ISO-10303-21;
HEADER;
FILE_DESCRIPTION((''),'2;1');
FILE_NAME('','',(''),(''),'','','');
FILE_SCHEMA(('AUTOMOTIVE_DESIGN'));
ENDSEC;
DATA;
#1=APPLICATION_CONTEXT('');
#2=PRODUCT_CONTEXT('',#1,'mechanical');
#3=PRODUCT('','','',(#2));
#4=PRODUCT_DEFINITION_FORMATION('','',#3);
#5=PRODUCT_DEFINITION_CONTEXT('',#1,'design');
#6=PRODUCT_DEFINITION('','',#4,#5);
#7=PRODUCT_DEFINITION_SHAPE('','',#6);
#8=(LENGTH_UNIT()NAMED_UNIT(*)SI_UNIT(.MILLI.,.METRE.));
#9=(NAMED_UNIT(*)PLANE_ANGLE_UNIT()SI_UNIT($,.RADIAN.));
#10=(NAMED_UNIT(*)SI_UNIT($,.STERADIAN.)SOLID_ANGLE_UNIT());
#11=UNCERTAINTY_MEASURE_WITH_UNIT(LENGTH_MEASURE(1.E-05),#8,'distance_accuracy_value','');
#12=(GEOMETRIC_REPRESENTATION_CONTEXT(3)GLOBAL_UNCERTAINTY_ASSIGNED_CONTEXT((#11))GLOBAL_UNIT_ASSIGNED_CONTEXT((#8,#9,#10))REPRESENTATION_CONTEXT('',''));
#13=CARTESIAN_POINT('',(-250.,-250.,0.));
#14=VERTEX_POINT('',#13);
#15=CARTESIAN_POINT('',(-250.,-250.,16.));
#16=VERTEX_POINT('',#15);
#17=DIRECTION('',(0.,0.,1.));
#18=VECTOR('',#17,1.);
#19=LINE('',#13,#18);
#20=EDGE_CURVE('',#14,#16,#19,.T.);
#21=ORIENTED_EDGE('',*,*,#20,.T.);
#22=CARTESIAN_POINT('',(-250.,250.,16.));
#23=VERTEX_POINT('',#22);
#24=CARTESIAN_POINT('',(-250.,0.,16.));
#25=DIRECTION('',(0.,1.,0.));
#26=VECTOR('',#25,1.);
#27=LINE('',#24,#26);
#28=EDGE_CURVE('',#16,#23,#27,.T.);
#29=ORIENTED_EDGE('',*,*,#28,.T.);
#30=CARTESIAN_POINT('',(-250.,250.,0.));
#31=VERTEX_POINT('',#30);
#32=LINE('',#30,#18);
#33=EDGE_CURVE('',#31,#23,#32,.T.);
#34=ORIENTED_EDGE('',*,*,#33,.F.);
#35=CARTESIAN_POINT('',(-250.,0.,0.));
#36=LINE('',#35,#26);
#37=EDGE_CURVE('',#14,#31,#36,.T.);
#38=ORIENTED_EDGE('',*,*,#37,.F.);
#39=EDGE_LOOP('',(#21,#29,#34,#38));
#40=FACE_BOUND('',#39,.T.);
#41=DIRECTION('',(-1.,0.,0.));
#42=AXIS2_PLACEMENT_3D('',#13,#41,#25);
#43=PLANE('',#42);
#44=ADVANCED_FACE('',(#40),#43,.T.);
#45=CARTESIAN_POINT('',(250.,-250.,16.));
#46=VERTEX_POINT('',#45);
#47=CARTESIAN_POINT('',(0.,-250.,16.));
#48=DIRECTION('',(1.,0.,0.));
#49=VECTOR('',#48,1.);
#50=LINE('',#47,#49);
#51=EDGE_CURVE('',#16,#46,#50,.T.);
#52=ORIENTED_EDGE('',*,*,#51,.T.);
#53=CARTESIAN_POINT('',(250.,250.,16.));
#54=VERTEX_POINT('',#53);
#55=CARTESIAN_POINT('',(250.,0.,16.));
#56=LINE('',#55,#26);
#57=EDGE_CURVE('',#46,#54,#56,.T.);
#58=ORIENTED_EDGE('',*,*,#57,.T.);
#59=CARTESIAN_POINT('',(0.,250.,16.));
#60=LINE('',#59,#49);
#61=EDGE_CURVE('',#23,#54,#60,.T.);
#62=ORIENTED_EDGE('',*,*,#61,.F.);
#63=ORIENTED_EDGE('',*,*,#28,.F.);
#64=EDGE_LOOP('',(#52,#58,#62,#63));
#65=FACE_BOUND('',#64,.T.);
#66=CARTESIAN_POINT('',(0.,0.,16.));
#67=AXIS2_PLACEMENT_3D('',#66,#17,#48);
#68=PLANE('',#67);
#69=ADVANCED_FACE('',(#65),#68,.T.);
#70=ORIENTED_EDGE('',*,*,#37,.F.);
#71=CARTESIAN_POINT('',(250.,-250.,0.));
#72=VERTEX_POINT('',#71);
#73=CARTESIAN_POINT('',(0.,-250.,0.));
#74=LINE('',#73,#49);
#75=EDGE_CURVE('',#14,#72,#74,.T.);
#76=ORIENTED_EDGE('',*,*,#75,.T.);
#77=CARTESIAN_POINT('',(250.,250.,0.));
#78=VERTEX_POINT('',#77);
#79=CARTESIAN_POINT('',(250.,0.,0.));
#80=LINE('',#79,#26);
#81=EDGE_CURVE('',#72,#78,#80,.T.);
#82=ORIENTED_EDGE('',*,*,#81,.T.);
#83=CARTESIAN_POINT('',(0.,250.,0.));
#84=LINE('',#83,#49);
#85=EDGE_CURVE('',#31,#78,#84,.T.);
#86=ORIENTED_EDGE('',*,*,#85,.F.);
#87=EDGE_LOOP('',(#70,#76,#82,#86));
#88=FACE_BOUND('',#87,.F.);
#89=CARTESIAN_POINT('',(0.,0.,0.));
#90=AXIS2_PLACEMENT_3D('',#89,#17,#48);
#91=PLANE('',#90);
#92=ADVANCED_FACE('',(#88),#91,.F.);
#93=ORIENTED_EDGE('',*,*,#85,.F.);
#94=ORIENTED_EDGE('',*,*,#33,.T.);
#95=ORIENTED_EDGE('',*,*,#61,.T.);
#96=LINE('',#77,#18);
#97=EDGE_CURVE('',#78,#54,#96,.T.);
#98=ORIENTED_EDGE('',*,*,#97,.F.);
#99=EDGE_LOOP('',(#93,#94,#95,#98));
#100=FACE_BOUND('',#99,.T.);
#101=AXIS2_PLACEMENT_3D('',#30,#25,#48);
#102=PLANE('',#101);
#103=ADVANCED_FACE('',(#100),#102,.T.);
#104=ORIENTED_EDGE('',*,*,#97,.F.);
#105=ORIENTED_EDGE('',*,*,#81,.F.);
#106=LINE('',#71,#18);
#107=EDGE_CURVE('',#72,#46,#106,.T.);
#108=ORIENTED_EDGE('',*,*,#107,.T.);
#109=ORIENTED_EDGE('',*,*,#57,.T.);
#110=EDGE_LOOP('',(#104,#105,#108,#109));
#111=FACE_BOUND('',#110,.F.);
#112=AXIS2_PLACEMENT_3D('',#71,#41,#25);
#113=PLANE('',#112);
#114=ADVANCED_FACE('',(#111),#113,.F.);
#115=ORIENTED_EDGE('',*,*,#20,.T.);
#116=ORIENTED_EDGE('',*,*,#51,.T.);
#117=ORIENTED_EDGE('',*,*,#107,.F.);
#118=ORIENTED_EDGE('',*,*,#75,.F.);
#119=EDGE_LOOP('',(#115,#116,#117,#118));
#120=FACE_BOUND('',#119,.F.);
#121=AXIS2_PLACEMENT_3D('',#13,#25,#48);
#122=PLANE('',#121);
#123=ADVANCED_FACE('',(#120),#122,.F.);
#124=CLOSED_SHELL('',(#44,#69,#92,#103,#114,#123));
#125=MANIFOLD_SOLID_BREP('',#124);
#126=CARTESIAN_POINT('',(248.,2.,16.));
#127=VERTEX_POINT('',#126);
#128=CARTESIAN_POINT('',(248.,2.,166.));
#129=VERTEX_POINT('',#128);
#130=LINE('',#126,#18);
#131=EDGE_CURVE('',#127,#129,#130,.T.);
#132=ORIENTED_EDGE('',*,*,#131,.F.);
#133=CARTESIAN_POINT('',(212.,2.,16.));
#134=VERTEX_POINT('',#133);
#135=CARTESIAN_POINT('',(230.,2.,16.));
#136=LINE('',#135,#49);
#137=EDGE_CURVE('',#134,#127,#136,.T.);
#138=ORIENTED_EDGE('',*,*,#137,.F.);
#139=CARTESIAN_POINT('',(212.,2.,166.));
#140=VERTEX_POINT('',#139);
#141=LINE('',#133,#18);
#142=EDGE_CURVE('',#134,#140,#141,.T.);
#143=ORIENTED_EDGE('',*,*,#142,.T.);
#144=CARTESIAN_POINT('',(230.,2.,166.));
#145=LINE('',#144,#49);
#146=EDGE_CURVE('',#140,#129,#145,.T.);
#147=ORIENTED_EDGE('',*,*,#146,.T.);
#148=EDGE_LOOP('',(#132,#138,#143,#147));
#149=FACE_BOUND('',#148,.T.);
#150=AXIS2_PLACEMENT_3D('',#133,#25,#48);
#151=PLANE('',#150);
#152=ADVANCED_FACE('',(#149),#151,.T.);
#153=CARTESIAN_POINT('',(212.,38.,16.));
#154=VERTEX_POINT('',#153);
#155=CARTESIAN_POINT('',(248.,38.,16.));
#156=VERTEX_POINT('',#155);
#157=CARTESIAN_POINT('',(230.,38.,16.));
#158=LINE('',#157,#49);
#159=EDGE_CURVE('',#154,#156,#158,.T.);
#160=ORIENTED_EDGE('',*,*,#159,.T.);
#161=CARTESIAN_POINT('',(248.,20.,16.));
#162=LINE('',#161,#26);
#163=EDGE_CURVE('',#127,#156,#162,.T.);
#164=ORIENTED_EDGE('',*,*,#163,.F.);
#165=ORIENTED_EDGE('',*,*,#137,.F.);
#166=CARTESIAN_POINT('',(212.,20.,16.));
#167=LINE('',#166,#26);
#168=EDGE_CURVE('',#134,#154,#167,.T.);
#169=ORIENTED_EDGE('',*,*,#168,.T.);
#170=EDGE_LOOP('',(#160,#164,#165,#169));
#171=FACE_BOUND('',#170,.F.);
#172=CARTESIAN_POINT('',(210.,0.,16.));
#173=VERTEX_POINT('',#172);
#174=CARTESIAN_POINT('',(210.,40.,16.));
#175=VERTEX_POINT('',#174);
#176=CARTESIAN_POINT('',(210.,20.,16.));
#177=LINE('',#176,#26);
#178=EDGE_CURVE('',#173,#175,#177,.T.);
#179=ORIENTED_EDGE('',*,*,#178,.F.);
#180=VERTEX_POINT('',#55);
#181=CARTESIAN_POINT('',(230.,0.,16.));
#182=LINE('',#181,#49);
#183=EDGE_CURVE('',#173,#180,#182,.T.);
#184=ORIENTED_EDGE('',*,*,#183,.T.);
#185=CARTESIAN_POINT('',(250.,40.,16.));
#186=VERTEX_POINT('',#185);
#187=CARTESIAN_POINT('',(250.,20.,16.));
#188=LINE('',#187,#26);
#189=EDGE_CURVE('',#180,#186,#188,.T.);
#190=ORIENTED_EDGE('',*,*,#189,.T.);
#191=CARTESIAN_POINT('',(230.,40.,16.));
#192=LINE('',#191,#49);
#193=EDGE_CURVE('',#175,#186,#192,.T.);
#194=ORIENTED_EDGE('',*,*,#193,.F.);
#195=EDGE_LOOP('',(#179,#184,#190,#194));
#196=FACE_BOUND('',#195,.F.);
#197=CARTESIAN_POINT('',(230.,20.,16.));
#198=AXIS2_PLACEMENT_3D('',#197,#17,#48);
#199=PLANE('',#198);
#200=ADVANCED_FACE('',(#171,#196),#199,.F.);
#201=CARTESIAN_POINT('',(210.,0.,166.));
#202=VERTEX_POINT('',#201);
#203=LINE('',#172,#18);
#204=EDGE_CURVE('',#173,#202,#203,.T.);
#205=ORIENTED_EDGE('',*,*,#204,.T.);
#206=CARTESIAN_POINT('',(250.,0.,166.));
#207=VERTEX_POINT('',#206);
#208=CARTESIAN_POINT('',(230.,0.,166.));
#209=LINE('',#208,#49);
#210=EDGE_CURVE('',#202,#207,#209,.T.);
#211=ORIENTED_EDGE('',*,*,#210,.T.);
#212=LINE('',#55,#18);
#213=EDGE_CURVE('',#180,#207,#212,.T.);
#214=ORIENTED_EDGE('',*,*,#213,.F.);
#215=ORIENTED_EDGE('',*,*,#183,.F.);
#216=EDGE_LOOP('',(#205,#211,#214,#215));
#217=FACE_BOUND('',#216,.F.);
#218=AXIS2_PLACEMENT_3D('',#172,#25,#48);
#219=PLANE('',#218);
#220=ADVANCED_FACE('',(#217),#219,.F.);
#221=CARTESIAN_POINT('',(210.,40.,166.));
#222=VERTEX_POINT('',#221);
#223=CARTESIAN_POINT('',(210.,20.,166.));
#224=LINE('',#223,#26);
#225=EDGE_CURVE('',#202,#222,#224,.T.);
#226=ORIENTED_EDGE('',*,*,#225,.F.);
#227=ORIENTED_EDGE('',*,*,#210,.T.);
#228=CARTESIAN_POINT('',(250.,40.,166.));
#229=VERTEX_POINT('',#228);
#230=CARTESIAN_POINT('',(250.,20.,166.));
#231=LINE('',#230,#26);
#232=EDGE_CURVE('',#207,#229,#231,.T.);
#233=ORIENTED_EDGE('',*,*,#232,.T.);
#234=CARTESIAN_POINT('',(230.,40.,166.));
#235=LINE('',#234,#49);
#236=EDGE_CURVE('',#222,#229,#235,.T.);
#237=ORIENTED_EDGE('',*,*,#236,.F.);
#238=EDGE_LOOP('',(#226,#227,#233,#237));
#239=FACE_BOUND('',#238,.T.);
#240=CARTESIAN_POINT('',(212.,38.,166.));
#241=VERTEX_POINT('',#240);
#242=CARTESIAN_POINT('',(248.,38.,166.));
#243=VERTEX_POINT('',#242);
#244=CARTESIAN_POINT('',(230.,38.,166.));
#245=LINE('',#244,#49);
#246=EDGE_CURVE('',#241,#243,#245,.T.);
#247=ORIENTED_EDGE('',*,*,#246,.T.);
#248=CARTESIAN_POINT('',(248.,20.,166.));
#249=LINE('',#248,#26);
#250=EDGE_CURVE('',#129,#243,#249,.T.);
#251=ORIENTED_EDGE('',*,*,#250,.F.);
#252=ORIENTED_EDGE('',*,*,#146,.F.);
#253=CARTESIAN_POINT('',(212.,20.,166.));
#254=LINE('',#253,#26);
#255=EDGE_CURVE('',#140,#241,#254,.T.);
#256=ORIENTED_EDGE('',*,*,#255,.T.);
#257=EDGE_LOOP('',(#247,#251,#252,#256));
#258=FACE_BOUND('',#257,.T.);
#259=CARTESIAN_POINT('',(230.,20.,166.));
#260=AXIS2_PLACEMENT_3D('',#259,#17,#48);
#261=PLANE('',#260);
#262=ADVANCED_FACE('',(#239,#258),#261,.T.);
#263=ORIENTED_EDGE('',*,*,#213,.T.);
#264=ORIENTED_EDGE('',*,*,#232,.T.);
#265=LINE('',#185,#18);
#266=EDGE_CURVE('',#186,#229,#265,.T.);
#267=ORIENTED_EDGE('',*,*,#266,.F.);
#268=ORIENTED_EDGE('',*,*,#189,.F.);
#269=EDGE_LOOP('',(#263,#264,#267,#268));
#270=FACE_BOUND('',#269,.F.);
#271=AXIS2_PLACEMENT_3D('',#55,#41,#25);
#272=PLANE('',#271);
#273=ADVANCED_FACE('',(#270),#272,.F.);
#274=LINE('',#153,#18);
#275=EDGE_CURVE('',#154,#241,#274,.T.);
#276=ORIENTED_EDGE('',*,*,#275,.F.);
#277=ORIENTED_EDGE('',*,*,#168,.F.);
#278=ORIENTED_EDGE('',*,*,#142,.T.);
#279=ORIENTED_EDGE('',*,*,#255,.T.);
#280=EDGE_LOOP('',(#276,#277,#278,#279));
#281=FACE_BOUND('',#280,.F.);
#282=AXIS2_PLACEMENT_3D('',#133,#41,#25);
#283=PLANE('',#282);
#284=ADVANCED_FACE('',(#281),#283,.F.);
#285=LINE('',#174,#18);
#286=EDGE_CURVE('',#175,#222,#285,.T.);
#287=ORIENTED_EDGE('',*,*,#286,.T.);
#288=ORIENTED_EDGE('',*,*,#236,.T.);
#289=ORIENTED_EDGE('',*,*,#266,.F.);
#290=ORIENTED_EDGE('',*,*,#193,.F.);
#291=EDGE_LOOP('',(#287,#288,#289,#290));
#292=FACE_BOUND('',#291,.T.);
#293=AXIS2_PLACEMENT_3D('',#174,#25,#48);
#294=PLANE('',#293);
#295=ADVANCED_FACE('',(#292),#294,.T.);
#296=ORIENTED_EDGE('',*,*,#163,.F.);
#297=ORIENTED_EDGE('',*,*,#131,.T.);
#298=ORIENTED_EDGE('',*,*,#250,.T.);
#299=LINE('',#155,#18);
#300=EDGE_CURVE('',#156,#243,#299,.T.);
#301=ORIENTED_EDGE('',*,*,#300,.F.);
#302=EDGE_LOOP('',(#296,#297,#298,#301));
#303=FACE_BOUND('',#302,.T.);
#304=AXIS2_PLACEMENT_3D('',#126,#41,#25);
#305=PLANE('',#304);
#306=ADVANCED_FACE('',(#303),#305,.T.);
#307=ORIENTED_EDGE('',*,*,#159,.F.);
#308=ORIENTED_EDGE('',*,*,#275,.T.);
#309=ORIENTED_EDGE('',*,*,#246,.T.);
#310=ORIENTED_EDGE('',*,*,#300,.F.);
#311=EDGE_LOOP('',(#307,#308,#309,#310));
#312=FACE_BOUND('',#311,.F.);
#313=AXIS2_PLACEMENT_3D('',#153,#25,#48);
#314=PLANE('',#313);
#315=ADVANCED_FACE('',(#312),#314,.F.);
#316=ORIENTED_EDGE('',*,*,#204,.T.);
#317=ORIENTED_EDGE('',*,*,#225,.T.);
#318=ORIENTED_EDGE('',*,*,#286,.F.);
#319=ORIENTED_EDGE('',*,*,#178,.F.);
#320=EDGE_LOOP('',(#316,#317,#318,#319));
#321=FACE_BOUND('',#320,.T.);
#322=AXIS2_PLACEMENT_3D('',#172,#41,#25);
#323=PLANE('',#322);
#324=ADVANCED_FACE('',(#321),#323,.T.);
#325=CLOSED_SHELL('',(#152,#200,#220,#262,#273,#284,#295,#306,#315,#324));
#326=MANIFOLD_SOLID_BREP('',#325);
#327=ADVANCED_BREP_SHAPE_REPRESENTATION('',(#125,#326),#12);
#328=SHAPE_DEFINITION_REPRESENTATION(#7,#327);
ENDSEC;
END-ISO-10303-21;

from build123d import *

# Parameters (mm, degrees)
F0_W     = 500
F0_H     = 500
F1_DEPTH = 16
F2_W     = 40
F2_H     = 40
F2_W_2   = 36
F2_H_2   = 36
F3_DEPTH = 150


with BuildPart() as f1:
    # F0 (on Top) → F1 (new body)
    with BuildSketch(Plane.XY):
        Rectangle(F0_W, F0_H)
    extrude(amount=F1_DEPTH)


with BuildPart() as f3:
    # F2 (on face) → F3 (new body)
    with BuildSketch(Plane.XY.offset(16)):
        with Locations((230, 20)):
            Rectangle(F2_W, F2_H)
        with Locations((230, 20)):
            Rectangle(F2_W_2, F2_H_2, mode=Mode.SUBTRACT)
    extrude(amount=F3_DEPTH)


solid = Compound([f1.part, f3.part])
